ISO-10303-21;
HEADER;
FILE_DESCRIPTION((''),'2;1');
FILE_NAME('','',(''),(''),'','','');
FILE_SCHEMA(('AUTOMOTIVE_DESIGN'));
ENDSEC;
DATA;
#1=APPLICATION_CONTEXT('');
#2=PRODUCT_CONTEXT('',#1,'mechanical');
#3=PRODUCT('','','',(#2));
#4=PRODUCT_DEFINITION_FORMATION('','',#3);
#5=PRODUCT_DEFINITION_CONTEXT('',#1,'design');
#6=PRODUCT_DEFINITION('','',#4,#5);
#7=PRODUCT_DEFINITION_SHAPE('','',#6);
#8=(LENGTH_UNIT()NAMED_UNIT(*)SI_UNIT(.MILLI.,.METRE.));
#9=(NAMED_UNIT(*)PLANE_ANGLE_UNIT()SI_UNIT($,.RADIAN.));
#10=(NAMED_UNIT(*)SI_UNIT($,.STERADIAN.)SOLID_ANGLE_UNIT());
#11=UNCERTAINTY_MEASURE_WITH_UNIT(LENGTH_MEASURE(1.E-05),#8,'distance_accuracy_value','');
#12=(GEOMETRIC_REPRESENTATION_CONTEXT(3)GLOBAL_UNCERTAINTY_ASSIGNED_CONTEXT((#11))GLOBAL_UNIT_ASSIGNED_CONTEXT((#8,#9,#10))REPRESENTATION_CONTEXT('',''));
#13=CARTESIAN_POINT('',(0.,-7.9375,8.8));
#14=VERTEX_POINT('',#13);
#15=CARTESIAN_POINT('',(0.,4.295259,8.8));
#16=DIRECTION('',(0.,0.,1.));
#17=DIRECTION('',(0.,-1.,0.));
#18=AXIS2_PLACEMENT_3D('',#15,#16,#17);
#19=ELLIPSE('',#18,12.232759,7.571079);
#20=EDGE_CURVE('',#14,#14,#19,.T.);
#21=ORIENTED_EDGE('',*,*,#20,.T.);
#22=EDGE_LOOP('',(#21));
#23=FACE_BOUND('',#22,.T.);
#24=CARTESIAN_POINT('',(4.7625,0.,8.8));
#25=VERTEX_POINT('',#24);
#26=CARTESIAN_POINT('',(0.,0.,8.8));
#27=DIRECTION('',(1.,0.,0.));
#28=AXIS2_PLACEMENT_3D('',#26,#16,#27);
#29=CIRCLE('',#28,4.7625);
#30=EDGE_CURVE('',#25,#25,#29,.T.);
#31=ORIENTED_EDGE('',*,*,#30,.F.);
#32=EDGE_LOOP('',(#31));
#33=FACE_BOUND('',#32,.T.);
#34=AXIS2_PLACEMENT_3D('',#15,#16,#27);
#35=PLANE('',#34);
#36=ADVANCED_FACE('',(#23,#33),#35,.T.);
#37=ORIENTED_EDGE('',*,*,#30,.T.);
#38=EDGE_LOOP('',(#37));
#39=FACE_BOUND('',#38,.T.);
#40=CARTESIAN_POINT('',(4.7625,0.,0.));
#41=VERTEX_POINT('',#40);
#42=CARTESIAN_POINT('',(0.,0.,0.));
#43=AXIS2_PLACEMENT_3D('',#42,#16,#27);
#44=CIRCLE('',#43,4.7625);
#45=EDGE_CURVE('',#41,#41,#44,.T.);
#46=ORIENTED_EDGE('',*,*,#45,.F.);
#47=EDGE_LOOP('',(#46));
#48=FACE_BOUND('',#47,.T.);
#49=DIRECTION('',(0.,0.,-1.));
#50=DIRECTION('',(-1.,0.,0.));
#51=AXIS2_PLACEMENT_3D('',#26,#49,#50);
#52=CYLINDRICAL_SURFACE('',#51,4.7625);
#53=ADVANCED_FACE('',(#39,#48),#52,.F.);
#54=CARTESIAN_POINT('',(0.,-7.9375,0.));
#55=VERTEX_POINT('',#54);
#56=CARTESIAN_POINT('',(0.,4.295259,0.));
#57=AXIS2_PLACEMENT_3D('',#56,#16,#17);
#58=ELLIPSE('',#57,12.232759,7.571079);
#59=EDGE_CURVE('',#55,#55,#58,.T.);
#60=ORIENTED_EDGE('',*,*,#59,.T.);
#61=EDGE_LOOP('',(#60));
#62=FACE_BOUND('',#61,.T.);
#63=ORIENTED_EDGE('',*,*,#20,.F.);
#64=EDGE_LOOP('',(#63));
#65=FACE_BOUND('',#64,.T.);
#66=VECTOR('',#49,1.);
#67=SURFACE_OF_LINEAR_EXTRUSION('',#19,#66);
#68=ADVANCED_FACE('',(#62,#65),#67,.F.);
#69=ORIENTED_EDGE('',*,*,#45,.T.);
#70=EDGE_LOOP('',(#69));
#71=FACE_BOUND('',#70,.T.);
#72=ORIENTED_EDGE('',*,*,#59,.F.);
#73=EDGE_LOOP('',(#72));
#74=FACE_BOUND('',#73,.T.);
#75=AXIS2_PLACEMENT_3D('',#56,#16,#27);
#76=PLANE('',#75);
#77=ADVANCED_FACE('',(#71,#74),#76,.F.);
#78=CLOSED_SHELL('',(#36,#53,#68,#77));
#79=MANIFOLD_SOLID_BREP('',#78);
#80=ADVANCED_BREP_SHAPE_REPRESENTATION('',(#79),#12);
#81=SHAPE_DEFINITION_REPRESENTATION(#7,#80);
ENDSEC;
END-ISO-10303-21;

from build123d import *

# Parameters (mm, degrees)
SKETCH2_RX          = 12.232758564
SKETCH2_RY          = 7.571078701
SKETCH2_R           = 4.7625
BOSS_EXTRUDE1_DEPTH = 8.80000018


with BuildPart() as part:
    # Sketch2 → Boss-Extrude1 (new body)
    with BuildSketch(Plane.XY):
        with Locations(Location((0, 4.295258564), (0, 0, -90))):
            Ellipse(SKETCH2_RX, SKETCH2_RY)
        Circle(SKETCH2_R, mode=Mode.SUBTRACT)
    extrude(amount=BOSS_EXTRUDE1_DEPTH)


solid = part.part
